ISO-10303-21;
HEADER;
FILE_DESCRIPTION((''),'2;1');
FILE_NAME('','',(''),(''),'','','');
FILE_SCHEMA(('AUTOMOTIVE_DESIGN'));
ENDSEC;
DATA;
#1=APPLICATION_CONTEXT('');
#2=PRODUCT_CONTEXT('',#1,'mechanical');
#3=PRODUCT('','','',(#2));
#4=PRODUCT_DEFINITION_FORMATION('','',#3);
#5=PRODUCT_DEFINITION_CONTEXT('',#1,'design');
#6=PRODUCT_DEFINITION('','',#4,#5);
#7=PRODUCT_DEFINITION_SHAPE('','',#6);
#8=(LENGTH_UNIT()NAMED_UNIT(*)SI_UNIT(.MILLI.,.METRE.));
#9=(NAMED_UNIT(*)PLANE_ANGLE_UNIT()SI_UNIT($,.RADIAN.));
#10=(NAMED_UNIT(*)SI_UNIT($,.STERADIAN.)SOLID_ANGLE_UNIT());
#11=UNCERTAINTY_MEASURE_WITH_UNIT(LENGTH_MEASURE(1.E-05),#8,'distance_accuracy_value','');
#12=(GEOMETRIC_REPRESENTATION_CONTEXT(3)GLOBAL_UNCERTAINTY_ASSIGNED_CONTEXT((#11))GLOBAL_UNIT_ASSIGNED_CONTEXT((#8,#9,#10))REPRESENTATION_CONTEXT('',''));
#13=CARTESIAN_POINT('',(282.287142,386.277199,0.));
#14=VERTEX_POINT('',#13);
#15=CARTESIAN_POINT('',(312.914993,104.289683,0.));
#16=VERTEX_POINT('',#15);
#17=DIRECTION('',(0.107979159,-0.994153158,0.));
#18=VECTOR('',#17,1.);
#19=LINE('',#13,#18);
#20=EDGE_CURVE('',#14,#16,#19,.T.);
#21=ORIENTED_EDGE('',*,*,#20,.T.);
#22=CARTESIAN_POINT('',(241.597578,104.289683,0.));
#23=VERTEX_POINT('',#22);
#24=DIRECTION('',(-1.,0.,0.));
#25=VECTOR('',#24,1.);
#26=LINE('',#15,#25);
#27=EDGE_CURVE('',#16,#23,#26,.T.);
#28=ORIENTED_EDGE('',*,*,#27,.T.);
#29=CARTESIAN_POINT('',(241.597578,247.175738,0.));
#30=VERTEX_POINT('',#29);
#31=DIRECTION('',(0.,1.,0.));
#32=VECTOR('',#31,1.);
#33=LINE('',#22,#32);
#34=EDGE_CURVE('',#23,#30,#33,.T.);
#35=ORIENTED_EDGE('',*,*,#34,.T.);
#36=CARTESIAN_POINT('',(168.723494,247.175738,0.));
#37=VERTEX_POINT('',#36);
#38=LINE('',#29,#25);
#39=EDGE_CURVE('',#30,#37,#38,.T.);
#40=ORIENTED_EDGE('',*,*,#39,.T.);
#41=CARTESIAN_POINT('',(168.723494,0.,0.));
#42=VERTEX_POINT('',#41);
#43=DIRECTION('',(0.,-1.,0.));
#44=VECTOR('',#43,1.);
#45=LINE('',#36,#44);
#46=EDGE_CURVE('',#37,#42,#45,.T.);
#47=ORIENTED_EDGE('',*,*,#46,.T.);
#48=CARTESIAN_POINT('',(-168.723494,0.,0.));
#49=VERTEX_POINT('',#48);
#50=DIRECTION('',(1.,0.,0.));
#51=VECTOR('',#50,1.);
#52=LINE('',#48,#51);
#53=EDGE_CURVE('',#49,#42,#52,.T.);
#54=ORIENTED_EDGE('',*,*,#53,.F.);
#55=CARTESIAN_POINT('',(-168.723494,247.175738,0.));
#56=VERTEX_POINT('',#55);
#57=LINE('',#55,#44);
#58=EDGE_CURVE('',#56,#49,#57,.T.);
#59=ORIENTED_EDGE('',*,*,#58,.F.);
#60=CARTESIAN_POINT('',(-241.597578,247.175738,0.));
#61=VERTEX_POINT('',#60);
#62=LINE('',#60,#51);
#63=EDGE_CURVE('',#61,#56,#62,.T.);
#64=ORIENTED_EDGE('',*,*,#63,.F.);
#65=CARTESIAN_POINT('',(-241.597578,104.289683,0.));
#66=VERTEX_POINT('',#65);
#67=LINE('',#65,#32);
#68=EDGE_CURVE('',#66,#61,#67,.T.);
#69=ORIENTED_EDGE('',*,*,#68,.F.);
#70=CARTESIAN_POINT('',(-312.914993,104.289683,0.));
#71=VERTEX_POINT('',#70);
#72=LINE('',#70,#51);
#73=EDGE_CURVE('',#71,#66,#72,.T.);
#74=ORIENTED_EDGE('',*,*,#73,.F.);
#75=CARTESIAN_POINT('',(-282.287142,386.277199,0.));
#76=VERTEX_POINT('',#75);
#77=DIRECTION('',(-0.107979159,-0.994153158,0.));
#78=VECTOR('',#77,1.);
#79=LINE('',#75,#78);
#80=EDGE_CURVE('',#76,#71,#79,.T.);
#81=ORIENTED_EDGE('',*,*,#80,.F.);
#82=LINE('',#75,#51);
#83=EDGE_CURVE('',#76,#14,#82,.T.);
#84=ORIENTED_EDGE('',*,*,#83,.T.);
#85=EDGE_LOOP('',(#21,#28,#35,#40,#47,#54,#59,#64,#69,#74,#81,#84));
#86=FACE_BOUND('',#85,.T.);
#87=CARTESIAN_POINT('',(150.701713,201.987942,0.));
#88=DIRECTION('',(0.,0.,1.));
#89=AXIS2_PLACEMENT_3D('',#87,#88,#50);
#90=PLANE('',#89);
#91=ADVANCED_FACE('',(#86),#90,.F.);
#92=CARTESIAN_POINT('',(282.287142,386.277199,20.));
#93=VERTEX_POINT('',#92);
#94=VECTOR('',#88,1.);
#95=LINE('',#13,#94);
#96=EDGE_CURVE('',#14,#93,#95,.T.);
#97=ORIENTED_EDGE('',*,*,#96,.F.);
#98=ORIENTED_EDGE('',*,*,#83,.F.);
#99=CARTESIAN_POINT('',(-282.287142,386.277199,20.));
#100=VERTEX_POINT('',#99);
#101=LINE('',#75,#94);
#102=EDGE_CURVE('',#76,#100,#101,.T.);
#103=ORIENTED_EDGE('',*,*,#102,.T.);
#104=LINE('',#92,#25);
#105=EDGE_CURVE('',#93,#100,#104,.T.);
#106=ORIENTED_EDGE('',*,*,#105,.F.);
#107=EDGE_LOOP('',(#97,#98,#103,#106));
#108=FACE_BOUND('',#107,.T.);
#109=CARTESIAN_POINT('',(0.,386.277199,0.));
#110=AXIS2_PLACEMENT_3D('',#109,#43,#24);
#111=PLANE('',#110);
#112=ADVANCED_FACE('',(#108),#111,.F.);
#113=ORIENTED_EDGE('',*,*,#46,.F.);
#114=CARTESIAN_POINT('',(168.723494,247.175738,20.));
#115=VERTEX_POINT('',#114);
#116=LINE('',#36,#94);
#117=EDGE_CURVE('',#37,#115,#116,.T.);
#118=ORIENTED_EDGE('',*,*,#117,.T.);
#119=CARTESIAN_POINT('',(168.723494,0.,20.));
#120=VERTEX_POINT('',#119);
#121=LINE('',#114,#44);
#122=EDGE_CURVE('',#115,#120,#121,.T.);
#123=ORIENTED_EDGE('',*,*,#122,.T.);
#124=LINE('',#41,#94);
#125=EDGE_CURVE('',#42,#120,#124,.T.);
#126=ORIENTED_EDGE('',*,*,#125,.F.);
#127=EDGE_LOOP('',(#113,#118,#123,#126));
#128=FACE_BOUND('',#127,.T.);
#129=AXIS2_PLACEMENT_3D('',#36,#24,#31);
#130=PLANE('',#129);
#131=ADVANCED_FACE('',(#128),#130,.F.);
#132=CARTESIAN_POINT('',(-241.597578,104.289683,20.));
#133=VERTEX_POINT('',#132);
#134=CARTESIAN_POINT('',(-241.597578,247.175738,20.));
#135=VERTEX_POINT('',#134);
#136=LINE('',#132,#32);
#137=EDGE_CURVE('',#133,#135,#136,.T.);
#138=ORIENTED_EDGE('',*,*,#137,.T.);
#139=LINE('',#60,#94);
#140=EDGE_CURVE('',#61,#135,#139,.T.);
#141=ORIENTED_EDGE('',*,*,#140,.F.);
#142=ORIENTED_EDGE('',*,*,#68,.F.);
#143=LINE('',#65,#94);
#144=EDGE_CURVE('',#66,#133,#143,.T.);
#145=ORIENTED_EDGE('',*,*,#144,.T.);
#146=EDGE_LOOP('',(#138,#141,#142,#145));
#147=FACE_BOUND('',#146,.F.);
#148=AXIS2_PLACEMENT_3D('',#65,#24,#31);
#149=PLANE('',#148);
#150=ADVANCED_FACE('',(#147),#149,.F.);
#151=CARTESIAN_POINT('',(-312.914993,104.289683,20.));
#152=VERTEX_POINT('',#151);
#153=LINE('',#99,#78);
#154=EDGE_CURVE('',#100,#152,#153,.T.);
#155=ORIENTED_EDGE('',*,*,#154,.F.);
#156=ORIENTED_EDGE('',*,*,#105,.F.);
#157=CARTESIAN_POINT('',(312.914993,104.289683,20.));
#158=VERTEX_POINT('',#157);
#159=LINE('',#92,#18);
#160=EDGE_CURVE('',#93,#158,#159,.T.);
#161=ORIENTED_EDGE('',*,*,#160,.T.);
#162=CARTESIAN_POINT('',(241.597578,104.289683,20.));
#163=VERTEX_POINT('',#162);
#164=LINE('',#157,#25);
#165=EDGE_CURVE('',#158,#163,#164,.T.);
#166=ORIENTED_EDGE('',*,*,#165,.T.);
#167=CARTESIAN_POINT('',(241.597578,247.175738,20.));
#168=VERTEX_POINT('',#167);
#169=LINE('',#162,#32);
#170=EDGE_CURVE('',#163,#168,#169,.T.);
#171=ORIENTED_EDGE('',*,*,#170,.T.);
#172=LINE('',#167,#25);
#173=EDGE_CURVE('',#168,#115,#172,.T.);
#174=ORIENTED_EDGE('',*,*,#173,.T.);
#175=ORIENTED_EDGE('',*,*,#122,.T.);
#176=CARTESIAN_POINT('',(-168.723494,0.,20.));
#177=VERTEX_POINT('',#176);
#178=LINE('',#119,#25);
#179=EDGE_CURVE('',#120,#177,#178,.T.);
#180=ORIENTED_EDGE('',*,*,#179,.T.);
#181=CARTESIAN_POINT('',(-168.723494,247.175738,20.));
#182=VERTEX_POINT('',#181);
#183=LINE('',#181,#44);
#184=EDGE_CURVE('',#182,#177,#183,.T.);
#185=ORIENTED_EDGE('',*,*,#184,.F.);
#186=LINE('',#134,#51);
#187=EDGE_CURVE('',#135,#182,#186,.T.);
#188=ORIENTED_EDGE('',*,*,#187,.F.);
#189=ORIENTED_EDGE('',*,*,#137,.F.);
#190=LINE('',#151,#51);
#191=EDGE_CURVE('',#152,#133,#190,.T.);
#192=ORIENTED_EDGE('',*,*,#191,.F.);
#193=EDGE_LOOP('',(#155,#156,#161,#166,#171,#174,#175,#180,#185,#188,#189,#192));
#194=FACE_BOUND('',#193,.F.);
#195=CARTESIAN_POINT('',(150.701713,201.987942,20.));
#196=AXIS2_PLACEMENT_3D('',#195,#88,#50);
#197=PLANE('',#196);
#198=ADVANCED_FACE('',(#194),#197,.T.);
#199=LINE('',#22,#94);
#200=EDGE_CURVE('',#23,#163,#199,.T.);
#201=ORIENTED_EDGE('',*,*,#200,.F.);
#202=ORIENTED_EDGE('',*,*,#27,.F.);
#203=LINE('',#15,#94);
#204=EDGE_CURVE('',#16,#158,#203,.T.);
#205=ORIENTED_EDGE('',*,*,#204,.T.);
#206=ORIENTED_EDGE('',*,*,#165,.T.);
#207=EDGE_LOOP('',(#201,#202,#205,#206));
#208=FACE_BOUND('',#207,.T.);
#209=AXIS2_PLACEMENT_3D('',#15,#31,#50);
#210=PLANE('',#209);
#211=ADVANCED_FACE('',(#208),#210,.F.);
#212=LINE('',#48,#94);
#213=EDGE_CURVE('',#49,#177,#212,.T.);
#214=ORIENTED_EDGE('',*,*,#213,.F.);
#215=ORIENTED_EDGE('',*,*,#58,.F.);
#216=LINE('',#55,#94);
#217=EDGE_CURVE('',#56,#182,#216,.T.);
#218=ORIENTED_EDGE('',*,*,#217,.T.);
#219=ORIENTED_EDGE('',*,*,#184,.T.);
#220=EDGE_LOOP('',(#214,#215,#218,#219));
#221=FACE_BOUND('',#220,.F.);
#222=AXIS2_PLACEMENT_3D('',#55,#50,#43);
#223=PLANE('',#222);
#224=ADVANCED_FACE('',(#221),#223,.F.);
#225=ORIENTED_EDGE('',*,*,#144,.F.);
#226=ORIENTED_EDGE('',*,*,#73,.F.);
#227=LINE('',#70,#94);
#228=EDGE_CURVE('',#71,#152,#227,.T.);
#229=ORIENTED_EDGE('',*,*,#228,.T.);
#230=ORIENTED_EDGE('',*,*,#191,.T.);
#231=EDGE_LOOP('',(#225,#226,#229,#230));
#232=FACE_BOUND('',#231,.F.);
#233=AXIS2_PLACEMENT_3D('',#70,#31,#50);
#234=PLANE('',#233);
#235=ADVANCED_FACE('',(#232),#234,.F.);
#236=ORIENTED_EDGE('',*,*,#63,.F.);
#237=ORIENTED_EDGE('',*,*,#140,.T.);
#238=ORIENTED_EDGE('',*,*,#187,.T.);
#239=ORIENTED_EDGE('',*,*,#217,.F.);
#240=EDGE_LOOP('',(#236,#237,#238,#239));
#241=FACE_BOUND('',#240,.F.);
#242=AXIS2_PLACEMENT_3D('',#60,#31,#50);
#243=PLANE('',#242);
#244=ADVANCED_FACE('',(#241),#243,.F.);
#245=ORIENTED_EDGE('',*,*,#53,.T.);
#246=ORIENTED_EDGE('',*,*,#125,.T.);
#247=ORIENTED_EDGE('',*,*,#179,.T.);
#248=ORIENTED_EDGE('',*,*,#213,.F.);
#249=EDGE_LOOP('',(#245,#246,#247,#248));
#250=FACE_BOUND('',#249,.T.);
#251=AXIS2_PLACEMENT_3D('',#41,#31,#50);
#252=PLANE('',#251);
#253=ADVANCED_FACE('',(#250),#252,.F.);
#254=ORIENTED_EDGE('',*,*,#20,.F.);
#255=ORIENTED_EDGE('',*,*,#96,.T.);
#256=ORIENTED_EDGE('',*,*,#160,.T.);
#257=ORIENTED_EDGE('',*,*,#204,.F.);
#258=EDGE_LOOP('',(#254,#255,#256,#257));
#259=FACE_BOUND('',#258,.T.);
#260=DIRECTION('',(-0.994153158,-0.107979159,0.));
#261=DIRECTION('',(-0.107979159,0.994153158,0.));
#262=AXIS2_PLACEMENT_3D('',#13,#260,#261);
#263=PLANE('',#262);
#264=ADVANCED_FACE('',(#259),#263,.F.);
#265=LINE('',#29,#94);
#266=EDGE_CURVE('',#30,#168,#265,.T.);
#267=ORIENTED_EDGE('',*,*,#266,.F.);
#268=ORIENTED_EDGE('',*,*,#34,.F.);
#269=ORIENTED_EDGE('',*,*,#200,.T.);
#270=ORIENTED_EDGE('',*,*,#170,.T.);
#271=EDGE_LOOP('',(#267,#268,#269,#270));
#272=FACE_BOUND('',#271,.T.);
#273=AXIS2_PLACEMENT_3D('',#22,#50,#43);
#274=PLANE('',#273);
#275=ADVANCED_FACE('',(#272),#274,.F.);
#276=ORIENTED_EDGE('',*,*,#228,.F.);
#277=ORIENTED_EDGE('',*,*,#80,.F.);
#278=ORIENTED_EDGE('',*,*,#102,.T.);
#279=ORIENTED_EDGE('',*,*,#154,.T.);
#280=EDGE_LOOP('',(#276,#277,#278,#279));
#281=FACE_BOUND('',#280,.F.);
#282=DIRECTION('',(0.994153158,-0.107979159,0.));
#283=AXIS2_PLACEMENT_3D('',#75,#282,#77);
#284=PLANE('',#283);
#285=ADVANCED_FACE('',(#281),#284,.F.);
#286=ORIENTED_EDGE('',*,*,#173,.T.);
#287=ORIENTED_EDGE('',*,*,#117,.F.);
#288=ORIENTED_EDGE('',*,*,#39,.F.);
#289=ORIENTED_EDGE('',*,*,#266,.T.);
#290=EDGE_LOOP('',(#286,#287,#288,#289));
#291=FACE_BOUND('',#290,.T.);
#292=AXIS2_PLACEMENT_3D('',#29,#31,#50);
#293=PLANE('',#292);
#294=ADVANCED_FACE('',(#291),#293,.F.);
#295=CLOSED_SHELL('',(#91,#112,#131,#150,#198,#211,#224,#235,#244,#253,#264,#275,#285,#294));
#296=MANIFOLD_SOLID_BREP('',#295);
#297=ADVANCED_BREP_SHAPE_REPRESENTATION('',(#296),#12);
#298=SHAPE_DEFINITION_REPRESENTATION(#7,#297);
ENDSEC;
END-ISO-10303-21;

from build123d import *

# Parameters (mm, degrees)
F1_DEPTH = 20


with BuildPart() as f1:
    # F0 (on Top) → F1 (new body)
    with BuildSketch(Plane.XY):
        Polygon((-168.723494, 0), (0, 0), (0, 386.277199), (-282.287142, 386.277199), (-312.914993, 104.289683), (-241.597578, 104.289683), (-241.597578, 247.175738), (-168.723494, 247.175738), align=None)
    extrude(amount=F1_DEPTH)

    # F2: F1 across plane


with BuildPart() as f1_1:
    add(f1.part)
    add(f1.part.mirror(Plane.YZ))


solid = f1_1.part
